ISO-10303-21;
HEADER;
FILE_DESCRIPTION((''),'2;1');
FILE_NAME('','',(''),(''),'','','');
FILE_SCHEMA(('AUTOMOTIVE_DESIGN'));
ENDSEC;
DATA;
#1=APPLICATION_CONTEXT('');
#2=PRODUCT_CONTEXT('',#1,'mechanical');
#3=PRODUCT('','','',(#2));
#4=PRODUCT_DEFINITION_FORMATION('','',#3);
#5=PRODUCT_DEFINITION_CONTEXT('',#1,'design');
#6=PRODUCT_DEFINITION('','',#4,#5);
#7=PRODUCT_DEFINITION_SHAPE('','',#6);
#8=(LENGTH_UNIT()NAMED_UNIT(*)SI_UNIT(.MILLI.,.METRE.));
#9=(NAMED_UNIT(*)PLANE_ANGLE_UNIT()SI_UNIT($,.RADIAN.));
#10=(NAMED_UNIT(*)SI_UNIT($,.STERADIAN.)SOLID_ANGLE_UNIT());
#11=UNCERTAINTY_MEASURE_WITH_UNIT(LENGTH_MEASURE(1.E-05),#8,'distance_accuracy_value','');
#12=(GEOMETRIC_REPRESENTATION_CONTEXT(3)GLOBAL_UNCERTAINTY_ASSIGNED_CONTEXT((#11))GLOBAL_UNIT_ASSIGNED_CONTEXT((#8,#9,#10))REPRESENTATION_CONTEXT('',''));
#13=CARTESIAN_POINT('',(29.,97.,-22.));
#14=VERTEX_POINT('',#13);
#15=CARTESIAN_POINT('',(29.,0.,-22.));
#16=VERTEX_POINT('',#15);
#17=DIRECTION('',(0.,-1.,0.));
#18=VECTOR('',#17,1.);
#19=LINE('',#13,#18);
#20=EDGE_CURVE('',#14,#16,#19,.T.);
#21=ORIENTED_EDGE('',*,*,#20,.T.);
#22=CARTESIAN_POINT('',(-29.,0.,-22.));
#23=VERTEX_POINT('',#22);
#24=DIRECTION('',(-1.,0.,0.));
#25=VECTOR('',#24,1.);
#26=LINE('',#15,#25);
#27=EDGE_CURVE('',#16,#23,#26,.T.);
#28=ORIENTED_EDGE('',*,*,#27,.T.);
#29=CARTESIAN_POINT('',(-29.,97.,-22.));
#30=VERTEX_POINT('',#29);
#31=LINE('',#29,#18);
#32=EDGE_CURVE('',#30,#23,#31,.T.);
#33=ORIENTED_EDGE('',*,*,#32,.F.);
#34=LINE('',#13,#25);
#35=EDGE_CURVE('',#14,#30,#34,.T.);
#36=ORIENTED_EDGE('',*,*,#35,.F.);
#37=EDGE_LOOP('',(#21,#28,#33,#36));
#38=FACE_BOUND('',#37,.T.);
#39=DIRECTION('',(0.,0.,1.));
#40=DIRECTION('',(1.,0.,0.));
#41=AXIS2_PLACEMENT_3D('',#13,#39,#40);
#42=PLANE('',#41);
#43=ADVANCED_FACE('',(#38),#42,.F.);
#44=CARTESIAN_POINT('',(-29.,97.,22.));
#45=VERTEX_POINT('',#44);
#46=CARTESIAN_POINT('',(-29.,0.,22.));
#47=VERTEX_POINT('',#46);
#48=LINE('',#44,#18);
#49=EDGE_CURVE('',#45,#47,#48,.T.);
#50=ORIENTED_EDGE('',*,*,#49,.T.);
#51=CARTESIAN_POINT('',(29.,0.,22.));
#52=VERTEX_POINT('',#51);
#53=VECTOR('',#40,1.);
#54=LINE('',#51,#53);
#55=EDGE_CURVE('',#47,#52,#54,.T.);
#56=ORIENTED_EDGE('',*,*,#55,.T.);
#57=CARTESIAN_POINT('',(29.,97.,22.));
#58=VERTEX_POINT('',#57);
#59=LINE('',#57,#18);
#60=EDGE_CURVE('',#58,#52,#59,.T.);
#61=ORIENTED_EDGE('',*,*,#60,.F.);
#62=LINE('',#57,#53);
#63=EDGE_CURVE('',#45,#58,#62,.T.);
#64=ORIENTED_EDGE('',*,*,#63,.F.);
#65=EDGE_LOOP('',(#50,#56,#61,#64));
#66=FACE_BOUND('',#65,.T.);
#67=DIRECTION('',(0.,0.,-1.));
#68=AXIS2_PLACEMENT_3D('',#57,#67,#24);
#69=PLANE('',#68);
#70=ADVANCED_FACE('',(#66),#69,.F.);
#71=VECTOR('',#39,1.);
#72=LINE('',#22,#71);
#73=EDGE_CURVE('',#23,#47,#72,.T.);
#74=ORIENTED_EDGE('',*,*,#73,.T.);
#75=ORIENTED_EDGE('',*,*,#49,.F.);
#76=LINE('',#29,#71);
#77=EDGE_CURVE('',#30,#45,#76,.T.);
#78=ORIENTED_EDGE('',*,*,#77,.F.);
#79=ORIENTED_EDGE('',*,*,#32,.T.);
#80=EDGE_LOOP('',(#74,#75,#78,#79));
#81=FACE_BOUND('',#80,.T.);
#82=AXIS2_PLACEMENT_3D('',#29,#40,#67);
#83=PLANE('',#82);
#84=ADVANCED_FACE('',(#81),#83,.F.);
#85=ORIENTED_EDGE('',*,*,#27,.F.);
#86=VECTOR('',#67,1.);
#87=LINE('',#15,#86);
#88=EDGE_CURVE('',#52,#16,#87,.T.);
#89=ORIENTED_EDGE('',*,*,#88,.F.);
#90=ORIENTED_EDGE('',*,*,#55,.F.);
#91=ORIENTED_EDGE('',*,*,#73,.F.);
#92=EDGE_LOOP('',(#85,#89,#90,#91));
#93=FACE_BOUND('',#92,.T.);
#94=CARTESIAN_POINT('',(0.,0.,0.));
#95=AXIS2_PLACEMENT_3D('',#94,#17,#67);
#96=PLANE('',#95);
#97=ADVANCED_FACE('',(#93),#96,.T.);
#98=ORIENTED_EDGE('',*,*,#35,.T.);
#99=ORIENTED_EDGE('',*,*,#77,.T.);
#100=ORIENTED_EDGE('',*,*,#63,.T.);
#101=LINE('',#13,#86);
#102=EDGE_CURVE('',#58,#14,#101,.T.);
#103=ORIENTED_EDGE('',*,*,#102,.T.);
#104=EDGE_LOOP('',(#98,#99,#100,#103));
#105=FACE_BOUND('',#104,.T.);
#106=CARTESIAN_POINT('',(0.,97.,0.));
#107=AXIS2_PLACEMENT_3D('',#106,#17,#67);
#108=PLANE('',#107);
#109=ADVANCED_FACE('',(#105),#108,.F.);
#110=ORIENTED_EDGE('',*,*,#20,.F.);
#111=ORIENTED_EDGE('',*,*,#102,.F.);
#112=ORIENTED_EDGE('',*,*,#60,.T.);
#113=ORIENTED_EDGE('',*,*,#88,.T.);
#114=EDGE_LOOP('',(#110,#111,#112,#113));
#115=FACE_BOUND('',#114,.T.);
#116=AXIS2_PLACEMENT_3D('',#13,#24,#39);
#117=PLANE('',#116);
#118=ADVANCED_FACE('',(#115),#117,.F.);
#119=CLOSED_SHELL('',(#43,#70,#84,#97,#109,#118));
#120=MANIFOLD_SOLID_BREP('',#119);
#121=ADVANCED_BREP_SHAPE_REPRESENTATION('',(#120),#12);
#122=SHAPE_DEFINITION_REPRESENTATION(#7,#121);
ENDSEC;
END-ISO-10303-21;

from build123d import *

# Parameters (mm, degrees)
ESQUISSE1_W        = 58
ESQUISSE1_H        = 44
BOSS_EXTRU_1_DEPTH = 97


with BuildPart() as part:
    # Esquisse1 → Boss.-Extru.1 (new body)
    with BuildSketch(Plane(origin=(0, 0, 0), x_dir=(1, 0, 0), z_dir=(0, 1, 0))):
        Rectangle(ESQUISSE1_W, ESQUISSE1_H)
    extrude(amount=BOSS_EXTRU_1_DEPTH)


solid = part.part
